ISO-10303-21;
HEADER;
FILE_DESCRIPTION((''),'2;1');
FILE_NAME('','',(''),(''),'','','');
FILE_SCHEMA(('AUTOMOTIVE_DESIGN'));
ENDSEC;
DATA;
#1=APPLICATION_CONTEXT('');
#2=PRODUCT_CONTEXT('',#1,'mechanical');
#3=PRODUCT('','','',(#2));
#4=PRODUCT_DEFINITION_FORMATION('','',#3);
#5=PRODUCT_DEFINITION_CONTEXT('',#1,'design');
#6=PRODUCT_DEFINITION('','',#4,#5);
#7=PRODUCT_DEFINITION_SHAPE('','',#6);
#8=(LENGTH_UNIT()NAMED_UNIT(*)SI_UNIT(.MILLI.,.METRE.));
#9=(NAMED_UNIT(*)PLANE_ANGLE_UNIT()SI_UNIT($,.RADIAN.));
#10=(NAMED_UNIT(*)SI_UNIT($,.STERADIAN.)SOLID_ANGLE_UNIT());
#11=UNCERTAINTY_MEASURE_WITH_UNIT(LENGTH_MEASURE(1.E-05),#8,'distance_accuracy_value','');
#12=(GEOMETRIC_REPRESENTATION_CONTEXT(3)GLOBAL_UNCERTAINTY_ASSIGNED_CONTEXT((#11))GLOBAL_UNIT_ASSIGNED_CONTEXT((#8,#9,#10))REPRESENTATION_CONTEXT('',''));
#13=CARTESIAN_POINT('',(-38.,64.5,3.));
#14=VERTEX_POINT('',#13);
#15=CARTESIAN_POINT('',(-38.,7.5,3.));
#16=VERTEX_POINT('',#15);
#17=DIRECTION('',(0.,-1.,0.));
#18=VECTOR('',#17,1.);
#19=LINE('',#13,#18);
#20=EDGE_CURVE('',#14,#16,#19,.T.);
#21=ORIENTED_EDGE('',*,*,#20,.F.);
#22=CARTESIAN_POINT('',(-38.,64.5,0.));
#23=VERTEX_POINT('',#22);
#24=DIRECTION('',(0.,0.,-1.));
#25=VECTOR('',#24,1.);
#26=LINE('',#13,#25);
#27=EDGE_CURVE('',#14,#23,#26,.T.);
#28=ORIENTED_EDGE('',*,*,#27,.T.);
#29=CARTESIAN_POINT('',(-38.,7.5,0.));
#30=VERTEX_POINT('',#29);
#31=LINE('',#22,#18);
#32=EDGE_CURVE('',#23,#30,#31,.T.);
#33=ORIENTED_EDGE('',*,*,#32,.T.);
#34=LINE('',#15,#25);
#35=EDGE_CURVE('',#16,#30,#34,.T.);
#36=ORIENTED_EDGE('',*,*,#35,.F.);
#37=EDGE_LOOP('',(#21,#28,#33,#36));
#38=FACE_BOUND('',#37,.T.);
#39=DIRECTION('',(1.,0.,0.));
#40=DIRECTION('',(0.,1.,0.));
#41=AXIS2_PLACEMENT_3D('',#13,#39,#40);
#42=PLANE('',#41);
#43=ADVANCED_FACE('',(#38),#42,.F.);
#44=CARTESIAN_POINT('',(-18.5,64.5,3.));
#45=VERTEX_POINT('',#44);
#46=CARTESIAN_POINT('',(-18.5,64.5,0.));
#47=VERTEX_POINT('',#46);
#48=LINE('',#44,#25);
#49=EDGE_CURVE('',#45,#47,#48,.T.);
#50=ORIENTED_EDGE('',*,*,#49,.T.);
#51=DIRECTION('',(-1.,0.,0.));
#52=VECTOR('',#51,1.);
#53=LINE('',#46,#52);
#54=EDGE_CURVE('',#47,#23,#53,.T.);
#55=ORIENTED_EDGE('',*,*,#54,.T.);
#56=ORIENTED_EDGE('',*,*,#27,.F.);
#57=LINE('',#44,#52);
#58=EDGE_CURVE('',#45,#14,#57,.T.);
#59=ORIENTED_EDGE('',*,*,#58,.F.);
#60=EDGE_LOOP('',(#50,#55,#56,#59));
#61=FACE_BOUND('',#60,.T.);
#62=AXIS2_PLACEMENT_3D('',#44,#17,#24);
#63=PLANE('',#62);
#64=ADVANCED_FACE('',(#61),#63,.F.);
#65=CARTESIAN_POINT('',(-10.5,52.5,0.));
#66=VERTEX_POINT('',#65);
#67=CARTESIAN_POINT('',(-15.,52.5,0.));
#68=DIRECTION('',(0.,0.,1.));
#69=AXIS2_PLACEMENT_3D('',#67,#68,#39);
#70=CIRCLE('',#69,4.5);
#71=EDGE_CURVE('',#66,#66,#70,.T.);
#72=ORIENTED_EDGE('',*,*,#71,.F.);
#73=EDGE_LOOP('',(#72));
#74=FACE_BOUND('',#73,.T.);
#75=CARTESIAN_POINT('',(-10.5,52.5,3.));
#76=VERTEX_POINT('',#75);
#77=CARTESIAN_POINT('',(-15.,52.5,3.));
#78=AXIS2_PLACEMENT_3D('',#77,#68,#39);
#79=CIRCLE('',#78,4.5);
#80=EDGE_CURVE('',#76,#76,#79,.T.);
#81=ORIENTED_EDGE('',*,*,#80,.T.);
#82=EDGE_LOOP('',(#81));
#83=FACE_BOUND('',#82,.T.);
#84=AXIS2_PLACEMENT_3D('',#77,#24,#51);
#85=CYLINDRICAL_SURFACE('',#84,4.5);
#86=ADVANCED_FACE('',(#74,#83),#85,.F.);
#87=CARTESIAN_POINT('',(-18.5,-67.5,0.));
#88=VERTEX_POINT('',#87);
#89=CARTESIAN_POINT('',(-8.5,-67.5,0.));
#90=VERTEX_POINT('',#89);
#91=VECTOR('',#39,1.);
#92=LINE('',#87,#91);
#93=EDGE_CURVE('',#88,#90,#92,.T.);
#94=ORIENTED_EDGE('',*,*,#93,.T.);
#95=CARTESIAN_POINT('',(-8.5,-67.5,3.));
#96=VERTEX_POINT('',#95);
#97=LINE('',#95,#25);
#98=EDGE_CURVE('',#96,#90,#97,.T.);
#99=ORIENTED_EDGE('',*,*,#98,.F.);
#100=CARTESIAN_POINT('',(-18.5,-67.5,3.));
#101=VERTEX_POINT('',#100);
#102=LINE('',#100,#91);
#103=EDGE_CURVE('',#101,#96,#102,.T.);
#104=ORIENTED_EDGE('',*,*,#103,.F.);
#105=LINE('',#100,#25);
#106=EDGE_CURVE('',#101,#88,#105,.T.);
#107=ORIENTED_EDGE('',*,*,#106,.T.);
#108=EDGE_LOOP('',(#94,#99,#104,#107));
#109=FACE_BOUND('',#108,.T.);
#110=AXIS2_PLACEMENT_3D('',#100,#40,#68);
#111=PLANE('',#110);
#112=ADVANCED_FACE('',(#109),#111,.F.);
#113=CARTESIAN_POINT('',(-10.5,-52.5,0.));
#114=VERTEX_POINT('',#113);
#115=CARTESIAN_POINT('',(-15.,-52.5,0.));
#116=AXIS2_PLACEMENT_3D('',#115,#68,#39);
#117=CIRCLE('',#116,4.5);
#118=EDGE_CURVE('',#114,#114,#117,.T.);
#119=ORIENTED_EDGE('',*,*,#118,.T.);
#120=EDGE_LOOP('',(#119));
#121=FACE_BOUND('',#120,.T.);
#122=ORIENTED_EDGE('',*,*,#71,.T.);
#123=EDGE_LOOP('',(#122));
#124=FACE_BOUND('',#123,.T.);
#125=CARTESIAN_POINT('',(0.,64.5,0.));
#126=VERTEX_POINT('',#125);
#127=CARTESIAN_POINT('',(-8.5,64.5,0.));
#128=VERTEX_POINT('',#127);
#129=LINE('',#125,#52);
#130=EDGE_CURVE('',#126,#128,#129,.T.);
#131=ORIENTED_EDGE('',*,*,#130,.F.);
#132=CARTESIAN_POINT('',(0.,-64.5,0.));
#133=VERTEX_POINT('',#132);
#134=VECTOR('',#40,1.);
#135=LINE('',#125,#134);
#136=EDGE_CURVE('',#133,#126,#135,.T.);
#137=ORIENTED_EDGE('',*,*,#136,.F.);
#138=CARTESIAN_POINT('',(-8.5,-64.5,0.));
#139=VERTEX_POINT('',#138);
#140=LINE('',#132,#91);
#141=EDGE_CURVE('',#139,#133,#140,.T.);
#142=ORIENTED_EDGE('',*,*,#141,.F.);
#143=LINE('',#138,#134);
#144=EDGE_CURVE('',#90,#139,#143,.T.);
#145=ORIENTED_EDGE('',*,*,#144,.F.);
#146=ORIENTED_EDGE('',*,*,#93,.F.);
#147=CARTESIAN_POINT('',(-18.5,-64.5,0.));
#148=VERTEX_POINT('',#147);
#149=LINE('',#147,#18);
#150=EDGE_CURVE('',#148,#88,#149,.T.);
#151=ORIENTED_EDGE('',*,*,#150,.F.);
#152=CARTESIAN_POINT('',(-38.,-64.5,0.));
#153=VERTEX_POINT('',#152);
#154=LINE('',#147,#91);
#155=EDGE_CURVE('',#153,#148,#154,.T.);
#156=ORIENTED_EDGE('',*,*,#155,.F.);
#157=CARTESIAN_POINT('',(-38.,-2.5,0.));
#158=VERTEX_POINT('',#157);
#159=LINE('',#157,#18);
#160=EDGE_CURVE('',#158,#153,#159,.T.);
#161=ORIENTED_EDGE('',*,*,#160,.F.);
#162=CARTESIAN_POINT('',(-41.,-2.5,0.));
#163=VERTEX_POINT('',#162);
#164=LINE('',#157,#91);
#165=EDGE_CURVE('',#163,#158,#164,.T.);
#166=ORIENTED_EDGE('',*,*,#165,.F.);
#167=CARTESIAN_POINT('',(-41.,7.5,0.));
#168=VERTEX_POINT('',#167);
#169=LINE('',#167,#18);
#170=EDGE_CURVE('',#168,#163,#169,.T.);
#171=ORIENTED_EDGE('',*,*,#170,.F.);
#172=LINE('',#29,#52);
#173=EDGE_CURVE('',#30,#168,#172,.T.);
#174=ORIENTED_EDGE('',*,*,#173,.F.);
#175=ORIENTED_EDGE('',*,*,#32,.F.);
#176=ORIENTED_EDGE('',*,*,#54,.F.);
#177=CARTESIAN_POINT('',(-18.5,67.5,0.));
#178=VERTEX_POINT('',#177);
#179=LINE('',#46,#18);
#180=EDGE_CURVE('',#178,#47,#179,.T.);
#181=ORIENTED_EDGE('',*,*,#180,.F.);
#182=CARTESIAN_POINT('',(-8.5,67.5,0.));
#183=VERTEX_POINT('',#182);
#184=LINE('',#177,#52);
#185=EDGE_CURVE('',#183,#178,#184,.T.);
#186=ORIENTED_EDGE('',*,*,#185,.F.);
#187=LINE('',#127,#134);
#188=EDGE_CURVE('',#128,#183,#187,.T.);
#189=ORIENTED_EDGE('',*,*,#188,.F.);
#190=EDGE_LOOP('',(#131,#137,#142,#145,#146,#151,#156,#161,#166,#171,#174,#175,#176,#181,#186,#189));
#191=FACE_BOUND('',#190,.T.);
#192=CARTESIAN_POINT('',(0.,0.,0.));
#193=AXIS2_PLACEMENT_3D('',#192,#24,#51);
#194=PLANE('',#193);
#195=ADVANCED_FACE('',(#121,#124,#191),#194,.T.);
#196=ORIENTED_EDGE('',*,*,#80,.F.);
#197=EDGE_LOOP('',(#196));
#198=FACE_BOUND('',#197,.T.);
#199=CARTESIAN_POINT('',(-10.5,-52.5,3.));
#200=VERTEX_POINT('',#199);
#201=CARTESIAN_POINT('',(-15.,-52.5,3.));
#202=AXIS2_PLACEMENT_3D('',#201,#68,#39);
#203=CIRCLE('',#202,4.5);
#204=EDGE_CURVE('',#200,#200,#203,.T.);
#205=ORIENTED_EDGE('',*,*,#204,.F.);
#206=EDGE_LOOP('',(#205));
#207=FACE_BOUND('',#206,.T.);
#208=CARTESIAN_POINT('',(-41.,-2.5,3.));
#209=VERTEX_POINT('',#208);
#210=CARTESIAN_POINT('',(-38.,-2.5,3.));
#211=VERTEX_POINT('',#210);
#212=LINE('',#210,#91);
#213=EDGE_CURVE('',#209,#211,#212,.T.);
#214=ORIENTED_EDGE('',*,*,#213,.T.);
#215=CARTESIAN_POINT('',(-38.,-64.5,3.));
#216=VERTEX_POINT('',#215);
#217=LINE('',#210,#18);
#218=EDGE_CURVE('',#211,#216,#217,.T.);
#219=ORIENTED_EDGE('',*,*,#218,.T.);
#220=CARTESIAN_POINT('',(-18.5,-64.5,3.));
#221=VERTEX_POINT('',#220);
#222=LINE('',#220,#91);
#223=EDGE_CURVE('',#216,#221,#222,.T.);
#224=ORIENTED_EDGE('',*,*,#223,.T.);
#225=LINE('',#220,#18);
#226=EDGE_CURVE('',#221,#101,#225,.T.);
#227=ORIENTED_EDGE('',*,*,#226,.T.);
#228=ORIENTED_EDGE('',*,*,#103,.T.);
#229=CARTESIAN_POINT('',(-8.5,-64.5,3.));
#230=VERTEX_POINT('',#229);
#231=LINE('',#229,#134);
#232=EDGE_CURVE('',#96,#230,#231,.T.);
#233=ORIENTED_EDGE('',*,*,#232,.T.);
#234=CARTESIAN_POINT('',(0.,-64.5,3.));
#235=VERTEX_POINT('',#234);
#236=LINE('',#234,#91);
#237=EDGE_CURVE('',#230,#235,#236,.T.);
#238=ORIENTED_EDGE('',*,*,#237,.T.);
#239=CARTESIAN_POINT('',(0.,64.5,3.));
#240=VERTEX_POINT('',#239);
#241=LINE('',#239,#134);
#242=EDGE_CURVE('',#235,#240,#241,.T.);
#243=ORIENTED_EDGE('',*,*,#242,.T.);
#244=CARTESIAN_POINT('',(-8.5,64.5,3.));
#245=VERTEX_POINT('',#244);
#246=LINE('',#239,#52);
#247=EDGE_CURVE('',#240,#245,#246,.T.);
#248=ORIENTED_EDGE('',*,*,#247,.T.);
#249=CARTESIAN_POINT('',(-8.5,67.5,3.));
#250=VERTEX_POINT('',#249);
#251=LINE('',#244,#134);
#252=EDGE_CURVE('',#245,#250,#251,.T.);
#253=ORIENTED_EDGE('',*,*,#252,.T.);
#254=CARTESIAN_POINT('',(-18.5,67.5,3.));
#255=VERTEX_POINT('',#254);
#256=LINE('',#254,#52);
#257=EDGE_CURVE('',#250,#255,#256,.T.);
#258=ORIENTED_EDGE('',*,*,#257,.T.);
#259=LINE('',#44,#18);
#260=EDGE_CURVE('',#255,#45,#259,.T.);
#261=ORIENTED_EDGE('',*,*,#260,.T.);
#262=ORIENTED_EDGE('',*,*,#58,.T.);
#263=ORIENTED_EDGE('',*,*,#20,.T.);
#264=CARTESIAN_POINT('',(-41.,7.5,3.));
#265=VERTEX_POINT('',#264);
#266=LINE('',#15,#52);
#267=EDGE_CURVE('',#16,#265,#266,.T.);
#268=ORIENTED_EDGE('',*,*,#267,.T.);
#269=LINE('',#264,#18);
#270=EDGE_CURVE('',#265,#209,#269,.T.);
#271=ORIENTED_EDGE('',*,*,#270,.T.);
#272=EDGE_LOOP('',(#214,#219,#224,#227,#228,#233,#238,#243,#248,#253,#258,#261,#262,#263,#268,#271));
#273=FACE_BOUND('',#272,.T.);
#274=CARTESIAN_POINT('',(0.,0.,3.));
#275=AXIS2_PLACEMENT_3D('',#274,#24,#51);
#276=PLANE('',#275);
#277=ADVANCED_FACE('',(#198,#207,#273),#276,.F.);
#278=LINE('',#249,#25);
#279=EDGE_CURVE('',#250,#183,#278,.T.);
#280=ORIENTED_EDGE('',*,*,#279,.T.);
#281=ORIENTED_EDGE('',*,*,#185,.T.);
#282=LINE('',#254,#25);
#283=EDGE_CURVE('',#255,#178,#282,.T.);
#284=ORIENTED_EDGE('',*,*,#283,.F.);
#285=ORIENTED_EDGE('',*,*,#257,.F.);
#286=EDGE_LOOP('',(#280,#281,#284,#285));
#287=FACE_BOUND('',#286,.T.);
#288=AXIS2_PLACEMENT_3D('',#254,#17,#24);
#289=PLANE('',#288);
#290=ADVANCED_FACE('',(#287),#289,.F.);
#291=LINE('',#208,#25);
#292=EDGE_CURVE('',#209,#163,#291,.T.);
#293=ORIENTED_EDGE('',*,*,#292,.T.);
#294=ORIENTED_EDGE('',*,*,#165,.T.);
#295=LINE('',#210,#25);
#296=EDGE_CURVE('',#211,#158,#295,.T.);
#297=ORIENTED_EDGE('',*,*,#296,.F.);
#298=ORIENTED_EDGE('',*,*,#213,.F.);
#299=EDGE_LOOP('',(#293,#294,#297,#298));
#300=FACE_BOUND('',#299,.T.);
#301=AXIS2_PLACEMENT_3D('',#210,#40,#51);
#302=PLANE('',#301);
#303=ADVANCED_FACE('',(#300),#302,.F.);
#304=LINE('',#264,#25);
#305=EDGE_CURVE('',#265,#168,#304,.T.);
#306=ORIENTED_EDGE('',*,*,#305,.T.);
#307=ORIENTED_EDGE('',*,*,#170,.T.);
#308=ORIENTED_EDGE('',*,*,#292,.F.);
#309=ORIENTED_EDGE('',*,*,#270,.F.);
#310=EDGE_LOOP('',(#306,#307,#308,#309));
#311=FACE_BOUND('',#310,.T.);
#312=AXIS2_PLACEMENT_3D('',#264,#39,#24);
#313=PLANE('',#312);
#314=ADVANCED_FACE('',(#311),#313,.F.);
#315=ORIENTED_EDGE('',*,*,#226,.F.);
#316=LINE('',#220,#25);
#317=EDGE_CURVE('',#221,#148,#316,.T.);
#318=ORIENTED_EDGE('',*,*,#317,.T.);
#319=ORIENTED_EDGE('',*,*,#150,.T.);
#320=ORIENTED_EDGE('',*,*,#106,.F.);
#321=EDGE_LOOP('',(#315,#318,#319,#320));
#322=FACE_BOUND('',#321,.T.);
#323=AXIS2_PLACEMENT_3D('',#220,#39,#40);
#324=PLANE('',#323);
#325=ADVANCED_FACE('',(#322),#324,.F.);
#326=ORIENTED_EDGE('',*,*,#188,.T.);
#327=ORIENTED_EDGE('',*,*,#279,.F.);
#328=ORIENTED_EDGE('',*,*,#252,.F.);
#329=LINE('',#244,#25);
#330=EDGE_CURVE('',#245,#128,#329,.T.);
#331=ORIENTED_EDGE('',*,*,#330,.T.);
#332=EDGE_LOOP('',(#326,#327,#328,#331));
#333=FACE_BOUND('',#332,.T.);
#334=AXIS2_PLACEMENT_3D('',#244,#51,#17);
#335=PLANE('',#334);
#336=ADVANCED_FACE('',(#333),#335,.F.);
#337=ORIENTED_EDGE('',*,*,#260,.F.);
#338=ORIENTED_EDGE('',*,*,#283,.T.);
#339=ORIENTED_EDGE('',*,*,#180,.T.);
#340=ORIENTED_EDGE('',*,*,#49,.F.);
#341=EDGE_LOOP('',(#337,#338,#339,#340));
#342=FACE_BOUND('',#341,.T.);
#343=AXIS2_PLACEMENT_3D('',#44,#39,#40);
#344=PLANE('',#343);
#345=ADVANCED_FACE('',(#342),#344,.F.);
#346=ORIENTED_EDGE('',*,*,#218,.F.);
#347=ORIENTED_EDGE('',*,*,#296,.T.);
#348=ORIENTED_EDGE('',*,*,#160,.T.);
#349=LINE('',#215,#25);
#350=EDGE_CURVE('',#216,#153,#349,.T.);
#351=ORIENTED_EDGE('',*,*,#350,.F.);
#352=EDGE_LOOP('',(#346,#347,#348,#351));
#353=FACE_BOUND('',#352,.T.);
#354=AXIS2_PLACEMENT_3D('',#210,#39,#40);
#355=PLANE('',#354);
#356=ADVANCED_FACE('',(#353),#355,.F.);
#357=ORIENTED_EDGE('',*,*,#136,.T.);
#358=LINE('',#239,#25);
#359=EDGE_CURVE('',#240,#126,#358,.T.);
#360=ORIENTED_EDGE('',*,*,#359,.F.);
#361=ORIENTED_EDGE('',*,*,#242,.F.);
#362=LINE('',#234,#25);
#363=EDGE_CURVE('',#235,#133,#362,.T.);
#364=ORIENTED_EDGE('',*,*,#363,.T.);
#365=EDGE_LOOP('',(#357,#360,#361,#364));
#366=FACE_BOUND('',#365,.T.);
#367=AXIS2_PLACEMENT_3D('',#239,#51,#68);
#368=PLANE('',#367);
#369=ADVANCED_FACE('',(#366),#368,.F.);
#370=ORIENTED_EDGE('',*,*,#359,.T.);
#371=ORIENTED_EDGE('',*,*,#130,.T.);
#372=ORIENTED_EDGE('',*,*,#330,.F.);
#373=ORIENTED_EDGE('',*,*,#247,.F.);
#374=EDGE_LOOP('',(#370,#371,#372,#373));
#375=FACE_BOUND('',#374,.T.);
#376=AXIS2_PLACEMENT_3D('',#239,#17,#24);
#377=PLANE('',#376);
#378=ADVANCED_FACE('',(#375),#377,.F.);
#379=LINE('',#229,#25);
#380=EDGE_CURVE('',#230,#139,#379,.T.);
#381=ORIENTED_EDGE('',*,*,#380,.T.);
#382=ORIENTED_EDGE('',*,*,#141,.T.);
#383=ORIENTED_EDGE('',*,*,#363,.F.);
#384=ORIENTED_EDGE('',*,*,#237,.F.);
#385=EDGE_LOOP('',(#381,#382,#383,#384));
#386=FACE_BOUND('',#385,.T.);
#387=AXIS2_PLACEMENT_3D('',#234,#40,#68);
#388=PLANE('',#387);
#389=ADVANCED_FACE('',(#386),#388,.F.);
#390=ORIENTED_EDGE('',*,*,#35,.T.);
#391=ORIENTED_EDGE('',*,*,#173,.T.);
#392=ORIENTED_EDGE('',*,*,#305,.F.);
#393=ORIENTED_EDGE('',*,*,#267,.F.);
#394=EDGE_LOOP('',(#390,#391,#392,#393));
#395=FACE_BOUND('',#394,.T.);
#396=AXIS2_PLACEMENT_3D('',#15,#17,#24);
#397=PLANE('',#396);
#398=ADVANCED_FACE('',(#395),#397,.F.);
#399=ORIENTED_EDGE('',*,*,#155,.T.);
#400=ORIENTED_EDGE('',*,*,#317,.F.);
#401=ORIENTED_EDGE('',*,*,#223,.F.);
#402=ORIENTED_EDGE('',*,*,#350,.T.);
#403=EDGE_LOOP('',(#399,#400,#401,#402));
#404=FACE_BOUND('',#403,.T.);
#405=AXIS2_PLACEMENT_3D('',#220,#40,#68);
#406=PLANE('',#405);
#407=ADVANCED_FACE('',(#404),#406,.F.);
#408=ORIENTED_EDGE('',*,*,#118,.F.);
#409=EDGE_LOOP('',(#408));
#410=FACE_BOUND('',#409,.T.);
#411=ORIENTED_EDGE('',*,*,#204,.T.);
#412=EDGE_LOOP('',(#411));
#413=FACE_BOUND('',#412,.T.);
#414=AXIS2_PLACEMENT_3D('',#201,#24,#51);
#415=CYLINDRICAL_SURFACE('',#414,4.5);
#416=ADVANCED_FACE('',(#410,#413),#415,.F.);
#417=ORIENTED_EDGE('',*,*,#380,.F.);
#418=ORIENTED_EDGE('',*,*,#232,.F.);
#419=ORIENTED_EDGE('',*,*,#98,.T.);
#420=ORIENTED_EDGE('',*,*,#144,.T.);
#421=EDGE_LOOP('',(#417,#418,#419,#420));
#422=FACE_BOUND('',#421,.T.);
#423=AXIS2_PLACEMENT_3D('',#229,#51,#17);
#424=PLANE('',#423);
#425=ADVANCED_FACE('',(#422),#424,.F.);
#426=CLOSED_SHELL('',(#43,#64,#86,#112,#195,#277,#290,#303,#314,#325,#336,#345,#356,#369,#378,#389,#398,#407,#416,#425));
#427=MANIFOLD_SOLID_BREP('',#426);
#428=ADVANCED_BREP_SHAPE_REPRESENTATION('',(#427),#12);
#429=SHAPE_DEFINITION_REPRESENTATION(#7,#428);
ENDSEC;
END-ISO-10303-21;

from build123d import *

# Parameters (mm, degrees)
BOSS_EXTRUDE1_DEPTH = 3
SKETCH3_R           = 4.5
CUT_EXTRUDE4_DEPTH  = 80.033220863


with BuildPart() as part:
    # Sketch2 → Boss-Extrude1 (new body)
    with BuildSketch(Plane.XY):
        Polygon((0, 64.5), (-8.5, 64.5), (-8.5, 67.5), (-18.5, 67.5), (-18.5, 64.5), (-38, 64.5), (-38, 7.5), (-41, 7.5), (-41, -2.5), (-38, -2.5), (-38, -64.5), (-18.5, -64.5), (-18.5, -67.5), (-8.5, -67.5), (-8.5, -64.5), (0, -64.5), align=None)
    extrude(amount=BOSS_EXTRUDE1_DEPTH)

    # Sketch3 → Cut-Extrude4 (cut, through all)
    with BuildSketch(Plane.XY):
        with Locations((-15, 52.5)):
            Circle(SKETCH3_R)
        with Locations((-15, -52.5)):
            Circle(SKETCH3_R)
    extrude(amount=CUT_EXTRUDE4_DEPTH, mode=Mode.SUBTRACT)


solid = part.part
